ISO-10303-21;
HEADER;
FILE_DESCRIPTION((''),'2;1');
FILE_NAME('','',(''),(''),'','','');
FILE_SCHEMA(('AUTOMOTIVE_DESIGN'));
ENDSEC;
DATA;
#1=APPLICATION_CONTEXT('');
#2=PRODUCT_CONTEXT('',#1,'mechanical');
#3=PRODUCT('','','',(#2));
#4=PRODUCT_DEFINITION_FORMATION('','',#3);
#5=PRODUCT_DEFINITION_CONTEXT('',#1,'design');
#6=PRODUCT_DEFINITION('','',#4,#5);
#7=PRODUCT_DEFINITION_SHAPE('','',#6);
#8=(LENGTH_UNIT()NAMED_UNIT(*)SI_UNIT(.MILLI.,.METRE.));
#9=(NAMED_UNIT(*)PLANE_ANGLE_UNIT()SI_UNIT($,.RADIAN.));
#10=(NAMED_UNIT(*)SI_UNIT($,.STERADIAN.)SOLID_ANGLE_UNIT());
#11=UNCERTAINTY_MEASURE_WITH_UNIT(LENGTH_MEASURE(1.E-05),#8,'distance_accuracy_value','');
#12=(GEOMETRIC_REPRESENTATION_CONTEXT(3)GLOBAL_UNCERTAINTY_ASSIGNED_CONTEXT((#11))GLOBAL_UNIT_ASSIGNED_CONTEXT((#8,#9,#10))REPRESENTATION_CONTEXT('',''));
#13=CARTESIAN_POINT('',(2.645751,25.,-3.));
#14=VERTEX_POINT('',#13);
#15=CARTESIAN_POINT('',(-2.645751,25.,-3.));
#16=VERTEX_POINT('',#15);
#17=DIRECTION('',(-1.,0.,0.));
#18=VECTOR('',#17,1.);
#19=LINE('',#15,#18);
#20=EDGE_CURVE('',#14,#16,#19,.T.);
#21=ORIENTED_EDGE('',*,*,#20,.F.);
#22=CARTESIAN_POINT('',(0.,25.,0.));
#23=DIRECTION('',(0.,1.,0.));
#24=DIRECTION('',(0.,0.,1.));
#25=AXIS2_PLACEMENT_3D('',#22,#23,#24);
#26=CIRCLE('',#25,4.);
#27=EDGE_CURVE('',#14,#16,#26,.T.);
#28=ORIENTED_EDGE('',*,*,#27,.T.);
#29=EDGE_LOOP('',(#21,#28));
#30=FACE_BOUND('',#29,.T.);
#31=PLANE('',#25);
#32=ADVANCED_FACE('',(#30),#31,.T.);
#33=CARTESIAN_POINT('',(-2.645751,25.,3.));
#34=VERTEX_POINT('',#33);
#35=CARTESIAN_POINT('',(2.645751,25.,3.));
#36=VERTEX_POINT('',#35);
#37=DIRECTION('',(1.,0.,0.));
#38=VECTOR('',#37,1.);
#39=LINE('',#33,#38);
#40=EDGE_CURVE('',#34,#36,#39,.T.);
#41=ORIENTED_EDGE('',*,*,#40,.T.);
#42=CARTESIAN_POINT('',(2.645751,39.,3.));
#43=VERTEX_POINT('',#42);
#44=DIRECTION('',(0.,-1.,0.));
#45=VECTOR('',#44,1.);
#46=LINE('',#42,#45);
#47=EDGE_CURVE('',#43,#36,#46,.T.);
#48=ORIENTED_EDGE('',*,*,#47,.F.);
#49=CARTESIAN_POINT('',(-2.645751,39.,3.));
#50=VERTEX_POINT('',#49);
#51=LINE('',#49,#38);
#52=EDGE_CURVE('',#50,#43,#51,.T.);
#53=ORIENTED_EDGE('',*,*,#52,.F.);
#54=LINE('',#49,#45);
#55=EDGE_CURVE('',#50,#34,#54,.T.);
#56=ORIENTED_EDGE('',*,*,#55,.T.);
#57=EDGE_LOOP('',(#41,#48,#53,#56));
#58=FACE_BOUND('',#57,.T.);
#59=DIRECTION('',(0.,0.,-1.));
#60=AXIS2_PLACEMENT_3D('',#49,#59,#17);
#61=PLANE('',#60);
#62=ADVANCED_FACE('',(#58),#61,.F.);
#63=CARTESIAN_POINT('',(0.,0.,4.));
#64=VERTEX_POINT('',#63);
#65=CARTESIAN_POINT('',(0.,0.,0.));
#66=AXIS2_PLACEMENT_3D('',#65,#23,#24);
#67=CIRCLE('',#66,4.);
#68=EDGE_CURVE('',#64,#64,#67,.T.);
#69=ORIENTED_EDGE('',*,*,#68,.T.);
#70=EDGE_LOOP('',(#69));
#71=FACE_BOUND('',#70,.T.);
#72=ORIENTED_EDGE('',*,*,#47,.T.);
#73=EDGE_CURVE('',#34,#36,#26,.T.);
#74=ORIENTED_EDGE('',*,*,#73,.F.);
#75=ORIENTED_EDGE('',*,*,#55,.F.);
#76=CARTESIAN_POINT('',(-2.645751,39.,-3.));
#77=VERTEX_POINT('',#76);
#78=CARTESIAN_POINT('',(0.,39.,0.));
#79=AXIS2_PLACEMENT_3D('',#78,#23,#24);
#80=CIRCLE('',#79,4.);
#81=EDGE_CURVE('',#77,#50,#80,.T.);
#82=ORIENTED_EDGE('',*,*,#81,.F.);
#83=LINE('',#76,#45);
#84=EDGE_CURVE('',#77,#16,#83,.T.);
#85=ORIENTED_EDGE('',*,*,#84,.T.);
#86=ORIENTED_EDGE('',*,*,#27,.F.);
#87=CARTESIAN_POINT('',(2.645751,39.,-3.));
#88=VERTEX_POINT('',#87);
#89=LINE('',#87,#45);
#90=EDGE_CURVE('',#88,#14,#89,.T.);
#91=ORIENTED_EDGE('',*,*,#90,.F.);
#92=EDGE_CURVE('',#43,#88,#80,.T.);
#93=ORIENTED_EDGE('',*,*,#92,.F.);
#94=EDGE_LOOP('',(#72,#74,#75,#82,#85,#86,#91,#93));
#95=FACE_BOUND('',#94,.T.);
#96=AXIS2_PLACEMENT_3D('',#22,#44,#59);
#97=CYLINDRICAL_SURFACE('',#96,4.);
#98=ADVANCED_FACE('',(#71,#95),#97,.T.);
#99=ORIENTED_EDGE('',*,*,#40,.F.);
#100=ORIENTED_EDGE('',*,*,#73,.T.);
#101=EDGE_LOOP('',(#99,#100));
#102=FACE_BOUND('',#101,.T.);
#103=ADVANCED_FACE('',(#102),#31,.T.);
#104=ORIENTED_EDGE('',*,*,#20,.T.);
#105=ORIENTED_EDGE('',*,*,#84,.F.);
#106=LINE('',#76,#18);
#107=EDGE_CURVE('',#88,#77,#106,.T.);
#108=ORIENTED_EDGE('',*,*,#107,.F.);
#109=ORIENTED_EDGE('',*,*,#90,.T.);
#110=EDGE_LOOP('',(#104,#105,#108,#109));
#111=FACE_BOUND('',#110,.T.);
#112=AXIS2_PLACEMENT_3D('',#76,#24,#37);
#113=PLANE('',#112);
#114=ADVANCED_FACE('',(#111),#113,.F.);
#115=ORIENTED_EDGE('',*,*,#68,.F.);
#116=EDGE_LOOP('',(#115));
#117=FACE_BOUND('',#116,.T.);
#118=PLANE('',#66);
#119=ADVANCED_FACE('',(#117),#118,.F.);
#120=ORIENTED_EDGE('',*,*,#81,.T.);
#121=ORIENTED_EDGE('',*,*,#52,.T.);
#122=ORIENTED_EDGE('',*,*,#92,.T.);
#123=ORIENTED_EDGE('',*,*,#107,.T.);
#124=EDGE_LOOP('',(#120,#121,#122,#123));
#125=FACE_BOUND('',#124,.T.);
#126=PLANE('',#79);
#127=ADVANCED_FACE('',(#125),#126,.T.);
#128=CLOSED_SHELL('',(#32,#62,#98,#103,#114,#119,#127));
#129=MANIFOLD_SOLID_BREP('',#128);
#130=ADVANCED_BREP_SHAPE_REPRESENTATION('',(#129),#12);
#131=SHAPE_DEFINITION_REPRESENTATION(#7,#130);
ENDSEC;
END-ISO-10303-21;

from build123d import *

# Parameters (mm, degrees)
CROQUIS1_R              = 4
SALIENTE_EXTRUIR1_DEPTH = 25
SALIENTE_EXTRUIR2_DEPTH = 14


with BuildPart() as part:
    # Croquis1 → Saliente-Extruir1 (new body)
    with BuildSketch(Plane(origin=(0, 0, 0), x_dir=(1, 0, 0), z_dir=(0, 1, 0))):
        with Locations(Location((0, 0, 0), (0, 0, 270))):
            Circle(CROQUIS1_R)
    extrude(amount=SALIENTE_EXTRUIR1_DEPTH)

    # Croquis2 → Saliente-Extruir2 (add)
    with BuildSketch(Plane(origin=(0, 25, 0), x_dir=(1, 0, 0), z_dir=(0, 1, 0))):
        with BuildLine():
            Line((-2.645751311, -3), (2.645751311, -3))
            ThreePointArc((2.645751311, -3), (4, 0), (2.645751311, 3))
            Line((2.645751311, 3), (-2.645751311, 3))
            ThreePointArc((-2.645751311, 3), (-4, 0), (-2.645751311, -3))
        make_face()
    extrude(amount=SALIENTE_EXTRUIR2_DEPTH)


solid = part.part
